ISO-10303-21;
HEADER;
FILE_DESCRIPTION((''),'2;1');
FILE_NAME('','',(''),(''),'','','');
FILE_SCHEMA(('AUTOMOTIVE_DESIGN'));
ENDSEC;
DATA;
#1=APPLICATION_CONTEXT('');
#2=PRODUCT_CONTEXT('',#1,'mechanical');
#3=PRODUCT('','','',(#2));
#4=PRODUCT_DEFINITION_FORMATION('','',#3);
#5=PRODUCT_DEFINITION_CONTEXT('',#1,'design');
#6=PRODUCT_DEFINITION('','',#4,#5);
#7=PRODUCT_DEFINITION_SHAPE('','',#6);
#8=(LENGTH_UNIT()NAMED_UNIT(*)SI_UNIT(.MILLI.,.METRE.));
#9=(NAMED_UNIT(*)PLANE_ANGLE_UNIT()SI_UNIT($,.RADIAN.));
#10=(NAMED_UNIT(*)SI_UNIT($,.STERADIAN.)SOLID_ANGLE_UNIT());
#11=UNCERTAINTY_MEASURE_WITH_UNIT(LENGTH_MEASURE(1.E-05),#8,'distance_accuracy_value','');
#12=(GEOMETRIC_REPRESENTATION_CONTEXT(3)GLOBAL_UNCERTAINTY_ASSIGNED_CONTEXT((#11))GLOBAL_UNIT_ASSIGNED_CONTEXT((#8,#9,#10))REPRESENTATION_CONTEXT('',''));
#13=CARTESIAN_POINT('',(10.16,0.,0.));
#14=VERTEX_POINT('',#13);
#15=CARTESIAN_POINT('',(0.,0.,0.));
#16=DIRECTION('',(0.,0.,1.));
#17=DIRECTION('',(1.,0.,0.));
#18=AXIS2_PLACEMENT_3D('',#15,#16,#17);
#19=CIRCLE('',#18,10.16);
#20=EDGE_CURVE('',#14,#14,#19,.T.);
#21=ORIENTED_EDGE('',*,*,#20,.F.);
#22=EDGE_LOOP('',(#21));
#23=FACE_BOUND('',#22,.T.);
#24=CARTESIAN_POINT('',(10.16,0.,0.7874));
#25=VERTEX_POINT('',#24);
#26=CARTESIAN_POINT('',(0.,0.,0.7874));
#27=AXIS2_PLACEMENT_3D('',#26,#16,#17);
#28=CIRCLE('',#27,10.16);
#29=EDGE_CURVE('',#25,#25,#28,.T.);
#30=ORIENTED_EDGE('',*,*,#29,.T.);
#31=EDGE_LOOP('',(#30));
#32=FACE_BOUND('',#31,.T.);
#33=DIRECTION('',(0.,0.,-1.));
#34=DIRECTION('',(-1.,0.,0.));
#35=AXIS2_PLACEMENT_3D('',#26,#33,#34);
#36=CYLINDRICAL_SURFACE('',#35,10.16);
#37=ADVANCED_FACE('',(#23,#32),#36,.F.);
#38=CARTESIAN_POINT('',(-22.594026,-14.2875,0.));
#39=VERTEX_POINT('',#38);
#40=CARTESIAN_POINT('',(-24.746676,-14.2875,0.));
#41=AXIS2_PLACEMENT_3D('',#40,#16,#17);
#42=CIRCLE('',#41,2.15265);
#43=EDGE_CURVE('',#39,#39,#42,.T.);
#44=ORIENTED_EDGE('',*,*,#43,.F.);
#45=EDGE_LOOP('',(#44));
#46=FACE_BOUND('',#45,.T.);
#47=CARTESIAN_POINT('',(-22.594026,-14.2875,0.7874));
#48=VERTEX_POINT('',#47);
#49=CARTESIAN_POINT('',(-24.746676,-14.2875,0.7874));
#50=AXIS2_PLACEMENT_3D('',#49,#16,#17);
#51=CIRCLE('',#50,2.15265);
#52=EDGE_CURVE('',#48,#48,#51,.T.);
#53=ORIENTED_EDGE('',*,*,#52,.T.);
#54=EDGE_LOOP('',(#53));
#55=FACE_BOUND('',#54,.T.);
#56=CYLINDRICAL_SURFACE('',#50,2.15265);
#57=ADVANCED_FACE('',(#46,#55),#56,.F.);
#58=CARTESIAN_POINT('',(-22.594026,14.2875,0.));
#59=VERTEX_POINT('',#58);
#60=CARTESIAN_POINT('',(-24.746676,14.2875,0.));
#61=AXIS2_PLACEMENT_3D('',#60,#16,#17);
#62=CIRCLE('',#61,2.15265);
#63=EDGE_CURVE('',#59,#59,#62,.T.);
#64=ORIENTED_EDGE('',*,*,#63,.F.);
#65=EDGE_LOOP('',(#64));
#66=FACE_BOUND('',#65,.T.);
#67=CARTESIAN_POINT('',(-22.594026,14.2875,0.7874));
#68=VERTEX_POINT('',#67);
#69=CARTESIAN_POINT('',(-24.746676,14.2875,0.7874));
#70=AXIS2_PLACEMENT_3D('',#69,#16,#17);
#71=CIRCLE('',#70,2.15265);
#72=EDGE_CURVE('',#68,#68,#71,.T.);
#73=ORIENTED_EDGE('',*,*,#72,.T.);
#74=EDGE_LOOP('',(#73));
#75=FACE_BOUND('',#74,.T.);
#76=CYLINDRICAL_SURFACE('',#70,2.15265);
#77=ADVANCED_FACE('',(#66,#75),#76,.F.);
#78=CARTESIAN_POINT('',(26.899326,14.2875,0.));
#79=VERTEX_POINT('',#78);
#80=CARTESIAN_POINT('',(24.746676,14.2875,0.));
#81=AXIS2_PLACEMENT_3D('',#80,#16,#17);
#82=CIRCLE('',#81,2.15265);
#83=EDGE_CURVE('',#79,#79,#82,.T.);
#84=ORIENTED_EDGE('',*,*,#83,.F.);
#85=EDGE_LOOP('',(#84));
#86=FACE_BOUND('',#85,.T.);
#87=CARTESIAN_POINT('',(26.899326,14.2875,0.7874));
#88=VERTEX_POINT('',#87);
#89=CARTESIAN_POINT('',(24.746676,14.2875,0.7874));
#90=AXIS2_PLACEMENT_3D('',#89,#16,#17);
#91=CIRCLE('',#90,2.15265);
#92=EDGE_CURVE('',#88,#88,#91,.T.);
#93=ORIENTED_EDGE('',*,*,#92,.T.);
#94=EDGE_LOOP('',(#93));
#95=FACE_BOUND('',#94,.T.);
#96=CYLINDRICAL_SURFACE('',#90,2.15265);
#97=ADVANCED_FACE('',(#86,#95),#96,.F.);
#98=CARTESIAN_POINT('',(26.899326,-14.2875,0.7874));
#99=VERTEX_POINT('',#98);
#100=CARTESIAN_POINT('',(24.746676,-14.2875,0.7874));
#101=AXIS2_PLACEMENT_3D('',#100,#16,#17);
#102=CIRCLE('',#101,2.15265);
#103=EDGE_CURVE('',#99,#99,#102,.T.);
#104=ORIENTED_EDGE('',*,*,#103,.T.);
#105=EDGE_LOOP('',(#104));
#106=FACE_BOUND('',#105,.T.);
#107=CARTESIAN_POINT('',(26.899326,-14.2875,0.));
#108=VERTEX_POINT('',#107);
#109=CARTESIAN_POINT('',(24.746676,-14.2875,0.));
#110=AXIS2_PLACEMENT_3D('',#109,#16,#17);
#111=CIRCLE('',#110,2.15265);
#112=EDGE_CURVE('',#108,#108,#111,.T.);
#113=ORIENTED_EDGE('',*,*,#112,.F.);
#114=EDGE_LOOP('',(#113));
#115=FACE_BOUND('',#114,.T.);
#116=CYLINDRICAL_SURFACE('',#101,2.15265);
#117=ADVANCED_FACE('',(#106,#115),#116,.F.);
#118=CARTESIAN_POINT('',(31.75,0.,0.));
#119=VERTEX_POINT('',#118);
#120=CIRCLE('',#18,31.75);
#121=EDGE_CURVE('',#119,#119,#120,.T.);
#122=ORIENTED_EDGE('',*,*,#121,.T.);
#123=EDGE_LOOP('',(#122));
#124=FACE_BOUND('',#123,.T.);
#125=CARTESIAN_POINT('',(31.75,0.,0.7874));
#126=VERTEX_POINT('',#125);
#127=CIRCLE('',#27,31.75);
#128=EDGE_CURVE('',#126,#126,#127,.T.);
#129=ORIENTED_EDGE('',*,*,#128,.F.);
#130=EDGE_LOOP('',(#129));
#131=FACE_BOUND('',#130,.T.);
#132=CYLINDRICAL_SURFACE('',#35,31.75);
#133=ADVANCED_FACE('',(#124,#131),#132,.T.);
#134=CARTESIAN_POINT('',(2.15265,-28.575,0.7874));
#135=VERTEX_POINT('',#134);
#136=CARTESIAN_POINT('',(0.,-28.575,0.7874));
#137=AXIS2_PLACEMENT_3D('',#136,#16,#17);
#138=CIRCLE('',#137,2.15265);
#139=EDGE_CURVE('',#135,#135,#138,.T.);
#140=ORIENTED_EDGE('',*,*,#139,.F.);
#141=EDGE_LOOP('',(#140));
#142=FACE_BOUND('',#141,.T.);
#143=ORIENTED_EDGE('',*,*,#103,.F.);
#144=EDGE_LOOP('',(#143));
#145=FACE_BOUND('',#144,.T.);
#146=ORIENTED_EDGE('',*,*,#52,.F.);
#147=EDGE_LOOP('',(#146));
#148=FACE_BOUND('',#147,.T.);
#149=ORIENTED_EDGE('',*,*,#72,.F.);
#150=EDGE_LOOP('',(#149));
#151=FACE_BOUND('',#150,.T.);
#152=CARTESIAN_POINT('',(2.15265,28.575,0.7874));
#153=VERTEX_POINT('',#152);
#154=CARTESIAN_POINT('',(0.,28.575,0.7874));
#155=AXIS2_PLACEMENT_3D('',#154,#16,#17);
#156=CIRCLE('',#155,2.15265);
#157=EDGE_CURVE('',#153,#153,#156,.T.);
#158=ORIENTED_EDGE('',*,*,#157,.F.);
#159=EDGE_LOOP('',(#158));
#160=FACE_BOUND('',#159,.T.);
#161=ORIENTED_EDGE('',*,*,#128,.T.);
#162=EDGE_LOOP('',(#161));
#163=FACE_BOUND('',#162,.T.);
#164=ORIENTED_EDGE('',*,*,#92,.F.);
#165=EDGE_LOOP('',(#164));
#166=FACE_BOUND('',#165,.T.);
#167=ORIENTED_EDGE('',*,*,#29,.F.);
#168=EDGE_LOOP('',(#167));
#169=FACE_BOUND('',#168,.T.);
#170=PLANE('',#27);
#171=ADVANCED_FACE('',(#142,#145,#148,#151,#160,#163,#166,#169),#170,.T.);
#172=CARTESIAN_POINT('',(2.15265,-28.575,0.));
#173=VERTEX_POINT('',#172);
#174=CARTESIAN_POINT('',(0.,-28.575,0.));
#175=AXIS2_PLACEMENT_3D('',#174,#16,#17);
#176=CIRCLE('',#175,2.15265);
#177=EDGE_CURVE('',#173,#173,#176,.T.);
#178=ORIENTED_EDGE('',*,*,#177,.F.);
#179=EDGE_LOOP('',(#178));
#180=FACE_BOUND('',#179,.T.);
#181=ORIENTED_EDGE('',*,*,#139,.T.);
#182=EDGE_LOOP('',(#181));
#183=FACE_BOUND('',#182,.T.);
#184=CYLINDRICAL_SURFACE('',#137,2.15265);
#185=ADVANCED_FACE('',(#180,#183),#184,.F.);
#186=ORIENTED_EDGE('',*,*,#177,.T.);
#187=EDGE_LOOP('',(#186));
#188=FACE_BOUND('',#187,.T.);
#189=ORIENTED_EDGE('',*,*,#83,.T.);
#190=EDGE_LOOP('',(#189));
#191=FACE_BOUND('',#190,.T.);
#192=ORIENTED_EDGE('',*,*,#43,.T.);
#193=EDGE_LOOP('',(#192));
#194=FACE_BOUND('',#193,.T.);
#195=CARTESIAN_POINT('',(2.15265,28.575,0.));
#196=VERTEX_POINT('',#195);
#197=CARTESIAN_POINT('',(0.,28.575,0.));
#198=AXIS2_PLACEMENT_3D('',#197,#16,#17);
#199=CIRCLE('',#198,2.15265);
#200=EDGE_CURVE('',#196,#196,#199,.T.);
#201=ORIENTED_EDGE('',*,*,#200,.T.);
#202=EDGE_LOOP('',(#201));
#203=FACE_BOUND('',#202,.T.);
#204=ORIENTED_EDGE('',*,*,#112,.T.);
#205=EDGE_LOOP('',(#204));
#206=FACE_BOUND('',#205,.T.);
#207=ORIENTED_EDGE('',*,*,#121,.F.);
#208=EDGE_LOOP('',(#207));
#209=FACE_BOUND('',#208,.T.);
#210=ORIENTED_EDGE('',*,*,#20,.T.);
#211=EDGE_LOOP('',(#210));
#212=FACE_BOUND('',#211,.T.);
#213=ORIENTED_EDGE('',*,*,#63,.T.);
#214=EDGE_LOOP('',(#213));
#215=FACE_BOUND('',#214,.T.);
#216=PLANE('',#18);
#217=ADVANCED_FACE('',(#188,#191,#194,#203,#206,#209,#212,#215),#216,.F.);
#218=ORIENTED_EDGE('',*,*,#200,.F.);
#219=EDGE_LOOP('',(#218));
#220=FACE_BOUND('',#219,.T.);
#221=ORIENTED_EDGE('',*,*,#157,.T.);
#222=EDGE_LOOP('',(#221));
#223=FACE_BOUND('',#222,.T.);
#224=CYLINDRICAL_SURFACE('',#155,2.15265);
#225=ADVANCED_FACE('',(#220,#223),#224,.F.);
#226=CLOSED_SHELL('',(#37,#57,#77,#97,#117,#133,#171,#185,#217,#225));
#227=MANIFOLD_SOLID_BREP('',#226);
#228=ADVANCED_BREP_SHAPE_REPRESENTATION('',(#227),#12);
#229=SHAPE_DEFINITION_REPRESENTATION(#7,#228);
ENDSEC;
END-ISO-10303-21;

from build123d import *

# Parameters (mm, degrees)
SKETCH1_R             = 31.75
SKETCH1_R_2           = 10.16
BOSS_EXTRUDE1_DEPTH   = 0.7874
F_8_CLEARANCE_HOLE1_D = 4.3053


with BuildPart() as part:
    # Sketch1 → Boss-Extrude1 (new body)
    with BuildSketch(Plane.XY):
        Circle(SKETCH1_R)
        Circle(SKETCH1_R_2, mode=Mode.SUBTRACT)
    extrude(amount=BOSS_EXTRUDE1_DEPTH)

    # #8 Clearance Hole1 (through all)
    with Locations(Plane.XY.offset(0.7874)):
        with Locations((0, 28.575), (24.746675913, 14.2875), (24.746675913, -14.2875), (0, -28.575), (-24.746675913, -14.2875), (-24.746675913, 14.2875)):
            Hole(F_8_CLEARANCE_HOLE1_D / 2)


solid = part.part
